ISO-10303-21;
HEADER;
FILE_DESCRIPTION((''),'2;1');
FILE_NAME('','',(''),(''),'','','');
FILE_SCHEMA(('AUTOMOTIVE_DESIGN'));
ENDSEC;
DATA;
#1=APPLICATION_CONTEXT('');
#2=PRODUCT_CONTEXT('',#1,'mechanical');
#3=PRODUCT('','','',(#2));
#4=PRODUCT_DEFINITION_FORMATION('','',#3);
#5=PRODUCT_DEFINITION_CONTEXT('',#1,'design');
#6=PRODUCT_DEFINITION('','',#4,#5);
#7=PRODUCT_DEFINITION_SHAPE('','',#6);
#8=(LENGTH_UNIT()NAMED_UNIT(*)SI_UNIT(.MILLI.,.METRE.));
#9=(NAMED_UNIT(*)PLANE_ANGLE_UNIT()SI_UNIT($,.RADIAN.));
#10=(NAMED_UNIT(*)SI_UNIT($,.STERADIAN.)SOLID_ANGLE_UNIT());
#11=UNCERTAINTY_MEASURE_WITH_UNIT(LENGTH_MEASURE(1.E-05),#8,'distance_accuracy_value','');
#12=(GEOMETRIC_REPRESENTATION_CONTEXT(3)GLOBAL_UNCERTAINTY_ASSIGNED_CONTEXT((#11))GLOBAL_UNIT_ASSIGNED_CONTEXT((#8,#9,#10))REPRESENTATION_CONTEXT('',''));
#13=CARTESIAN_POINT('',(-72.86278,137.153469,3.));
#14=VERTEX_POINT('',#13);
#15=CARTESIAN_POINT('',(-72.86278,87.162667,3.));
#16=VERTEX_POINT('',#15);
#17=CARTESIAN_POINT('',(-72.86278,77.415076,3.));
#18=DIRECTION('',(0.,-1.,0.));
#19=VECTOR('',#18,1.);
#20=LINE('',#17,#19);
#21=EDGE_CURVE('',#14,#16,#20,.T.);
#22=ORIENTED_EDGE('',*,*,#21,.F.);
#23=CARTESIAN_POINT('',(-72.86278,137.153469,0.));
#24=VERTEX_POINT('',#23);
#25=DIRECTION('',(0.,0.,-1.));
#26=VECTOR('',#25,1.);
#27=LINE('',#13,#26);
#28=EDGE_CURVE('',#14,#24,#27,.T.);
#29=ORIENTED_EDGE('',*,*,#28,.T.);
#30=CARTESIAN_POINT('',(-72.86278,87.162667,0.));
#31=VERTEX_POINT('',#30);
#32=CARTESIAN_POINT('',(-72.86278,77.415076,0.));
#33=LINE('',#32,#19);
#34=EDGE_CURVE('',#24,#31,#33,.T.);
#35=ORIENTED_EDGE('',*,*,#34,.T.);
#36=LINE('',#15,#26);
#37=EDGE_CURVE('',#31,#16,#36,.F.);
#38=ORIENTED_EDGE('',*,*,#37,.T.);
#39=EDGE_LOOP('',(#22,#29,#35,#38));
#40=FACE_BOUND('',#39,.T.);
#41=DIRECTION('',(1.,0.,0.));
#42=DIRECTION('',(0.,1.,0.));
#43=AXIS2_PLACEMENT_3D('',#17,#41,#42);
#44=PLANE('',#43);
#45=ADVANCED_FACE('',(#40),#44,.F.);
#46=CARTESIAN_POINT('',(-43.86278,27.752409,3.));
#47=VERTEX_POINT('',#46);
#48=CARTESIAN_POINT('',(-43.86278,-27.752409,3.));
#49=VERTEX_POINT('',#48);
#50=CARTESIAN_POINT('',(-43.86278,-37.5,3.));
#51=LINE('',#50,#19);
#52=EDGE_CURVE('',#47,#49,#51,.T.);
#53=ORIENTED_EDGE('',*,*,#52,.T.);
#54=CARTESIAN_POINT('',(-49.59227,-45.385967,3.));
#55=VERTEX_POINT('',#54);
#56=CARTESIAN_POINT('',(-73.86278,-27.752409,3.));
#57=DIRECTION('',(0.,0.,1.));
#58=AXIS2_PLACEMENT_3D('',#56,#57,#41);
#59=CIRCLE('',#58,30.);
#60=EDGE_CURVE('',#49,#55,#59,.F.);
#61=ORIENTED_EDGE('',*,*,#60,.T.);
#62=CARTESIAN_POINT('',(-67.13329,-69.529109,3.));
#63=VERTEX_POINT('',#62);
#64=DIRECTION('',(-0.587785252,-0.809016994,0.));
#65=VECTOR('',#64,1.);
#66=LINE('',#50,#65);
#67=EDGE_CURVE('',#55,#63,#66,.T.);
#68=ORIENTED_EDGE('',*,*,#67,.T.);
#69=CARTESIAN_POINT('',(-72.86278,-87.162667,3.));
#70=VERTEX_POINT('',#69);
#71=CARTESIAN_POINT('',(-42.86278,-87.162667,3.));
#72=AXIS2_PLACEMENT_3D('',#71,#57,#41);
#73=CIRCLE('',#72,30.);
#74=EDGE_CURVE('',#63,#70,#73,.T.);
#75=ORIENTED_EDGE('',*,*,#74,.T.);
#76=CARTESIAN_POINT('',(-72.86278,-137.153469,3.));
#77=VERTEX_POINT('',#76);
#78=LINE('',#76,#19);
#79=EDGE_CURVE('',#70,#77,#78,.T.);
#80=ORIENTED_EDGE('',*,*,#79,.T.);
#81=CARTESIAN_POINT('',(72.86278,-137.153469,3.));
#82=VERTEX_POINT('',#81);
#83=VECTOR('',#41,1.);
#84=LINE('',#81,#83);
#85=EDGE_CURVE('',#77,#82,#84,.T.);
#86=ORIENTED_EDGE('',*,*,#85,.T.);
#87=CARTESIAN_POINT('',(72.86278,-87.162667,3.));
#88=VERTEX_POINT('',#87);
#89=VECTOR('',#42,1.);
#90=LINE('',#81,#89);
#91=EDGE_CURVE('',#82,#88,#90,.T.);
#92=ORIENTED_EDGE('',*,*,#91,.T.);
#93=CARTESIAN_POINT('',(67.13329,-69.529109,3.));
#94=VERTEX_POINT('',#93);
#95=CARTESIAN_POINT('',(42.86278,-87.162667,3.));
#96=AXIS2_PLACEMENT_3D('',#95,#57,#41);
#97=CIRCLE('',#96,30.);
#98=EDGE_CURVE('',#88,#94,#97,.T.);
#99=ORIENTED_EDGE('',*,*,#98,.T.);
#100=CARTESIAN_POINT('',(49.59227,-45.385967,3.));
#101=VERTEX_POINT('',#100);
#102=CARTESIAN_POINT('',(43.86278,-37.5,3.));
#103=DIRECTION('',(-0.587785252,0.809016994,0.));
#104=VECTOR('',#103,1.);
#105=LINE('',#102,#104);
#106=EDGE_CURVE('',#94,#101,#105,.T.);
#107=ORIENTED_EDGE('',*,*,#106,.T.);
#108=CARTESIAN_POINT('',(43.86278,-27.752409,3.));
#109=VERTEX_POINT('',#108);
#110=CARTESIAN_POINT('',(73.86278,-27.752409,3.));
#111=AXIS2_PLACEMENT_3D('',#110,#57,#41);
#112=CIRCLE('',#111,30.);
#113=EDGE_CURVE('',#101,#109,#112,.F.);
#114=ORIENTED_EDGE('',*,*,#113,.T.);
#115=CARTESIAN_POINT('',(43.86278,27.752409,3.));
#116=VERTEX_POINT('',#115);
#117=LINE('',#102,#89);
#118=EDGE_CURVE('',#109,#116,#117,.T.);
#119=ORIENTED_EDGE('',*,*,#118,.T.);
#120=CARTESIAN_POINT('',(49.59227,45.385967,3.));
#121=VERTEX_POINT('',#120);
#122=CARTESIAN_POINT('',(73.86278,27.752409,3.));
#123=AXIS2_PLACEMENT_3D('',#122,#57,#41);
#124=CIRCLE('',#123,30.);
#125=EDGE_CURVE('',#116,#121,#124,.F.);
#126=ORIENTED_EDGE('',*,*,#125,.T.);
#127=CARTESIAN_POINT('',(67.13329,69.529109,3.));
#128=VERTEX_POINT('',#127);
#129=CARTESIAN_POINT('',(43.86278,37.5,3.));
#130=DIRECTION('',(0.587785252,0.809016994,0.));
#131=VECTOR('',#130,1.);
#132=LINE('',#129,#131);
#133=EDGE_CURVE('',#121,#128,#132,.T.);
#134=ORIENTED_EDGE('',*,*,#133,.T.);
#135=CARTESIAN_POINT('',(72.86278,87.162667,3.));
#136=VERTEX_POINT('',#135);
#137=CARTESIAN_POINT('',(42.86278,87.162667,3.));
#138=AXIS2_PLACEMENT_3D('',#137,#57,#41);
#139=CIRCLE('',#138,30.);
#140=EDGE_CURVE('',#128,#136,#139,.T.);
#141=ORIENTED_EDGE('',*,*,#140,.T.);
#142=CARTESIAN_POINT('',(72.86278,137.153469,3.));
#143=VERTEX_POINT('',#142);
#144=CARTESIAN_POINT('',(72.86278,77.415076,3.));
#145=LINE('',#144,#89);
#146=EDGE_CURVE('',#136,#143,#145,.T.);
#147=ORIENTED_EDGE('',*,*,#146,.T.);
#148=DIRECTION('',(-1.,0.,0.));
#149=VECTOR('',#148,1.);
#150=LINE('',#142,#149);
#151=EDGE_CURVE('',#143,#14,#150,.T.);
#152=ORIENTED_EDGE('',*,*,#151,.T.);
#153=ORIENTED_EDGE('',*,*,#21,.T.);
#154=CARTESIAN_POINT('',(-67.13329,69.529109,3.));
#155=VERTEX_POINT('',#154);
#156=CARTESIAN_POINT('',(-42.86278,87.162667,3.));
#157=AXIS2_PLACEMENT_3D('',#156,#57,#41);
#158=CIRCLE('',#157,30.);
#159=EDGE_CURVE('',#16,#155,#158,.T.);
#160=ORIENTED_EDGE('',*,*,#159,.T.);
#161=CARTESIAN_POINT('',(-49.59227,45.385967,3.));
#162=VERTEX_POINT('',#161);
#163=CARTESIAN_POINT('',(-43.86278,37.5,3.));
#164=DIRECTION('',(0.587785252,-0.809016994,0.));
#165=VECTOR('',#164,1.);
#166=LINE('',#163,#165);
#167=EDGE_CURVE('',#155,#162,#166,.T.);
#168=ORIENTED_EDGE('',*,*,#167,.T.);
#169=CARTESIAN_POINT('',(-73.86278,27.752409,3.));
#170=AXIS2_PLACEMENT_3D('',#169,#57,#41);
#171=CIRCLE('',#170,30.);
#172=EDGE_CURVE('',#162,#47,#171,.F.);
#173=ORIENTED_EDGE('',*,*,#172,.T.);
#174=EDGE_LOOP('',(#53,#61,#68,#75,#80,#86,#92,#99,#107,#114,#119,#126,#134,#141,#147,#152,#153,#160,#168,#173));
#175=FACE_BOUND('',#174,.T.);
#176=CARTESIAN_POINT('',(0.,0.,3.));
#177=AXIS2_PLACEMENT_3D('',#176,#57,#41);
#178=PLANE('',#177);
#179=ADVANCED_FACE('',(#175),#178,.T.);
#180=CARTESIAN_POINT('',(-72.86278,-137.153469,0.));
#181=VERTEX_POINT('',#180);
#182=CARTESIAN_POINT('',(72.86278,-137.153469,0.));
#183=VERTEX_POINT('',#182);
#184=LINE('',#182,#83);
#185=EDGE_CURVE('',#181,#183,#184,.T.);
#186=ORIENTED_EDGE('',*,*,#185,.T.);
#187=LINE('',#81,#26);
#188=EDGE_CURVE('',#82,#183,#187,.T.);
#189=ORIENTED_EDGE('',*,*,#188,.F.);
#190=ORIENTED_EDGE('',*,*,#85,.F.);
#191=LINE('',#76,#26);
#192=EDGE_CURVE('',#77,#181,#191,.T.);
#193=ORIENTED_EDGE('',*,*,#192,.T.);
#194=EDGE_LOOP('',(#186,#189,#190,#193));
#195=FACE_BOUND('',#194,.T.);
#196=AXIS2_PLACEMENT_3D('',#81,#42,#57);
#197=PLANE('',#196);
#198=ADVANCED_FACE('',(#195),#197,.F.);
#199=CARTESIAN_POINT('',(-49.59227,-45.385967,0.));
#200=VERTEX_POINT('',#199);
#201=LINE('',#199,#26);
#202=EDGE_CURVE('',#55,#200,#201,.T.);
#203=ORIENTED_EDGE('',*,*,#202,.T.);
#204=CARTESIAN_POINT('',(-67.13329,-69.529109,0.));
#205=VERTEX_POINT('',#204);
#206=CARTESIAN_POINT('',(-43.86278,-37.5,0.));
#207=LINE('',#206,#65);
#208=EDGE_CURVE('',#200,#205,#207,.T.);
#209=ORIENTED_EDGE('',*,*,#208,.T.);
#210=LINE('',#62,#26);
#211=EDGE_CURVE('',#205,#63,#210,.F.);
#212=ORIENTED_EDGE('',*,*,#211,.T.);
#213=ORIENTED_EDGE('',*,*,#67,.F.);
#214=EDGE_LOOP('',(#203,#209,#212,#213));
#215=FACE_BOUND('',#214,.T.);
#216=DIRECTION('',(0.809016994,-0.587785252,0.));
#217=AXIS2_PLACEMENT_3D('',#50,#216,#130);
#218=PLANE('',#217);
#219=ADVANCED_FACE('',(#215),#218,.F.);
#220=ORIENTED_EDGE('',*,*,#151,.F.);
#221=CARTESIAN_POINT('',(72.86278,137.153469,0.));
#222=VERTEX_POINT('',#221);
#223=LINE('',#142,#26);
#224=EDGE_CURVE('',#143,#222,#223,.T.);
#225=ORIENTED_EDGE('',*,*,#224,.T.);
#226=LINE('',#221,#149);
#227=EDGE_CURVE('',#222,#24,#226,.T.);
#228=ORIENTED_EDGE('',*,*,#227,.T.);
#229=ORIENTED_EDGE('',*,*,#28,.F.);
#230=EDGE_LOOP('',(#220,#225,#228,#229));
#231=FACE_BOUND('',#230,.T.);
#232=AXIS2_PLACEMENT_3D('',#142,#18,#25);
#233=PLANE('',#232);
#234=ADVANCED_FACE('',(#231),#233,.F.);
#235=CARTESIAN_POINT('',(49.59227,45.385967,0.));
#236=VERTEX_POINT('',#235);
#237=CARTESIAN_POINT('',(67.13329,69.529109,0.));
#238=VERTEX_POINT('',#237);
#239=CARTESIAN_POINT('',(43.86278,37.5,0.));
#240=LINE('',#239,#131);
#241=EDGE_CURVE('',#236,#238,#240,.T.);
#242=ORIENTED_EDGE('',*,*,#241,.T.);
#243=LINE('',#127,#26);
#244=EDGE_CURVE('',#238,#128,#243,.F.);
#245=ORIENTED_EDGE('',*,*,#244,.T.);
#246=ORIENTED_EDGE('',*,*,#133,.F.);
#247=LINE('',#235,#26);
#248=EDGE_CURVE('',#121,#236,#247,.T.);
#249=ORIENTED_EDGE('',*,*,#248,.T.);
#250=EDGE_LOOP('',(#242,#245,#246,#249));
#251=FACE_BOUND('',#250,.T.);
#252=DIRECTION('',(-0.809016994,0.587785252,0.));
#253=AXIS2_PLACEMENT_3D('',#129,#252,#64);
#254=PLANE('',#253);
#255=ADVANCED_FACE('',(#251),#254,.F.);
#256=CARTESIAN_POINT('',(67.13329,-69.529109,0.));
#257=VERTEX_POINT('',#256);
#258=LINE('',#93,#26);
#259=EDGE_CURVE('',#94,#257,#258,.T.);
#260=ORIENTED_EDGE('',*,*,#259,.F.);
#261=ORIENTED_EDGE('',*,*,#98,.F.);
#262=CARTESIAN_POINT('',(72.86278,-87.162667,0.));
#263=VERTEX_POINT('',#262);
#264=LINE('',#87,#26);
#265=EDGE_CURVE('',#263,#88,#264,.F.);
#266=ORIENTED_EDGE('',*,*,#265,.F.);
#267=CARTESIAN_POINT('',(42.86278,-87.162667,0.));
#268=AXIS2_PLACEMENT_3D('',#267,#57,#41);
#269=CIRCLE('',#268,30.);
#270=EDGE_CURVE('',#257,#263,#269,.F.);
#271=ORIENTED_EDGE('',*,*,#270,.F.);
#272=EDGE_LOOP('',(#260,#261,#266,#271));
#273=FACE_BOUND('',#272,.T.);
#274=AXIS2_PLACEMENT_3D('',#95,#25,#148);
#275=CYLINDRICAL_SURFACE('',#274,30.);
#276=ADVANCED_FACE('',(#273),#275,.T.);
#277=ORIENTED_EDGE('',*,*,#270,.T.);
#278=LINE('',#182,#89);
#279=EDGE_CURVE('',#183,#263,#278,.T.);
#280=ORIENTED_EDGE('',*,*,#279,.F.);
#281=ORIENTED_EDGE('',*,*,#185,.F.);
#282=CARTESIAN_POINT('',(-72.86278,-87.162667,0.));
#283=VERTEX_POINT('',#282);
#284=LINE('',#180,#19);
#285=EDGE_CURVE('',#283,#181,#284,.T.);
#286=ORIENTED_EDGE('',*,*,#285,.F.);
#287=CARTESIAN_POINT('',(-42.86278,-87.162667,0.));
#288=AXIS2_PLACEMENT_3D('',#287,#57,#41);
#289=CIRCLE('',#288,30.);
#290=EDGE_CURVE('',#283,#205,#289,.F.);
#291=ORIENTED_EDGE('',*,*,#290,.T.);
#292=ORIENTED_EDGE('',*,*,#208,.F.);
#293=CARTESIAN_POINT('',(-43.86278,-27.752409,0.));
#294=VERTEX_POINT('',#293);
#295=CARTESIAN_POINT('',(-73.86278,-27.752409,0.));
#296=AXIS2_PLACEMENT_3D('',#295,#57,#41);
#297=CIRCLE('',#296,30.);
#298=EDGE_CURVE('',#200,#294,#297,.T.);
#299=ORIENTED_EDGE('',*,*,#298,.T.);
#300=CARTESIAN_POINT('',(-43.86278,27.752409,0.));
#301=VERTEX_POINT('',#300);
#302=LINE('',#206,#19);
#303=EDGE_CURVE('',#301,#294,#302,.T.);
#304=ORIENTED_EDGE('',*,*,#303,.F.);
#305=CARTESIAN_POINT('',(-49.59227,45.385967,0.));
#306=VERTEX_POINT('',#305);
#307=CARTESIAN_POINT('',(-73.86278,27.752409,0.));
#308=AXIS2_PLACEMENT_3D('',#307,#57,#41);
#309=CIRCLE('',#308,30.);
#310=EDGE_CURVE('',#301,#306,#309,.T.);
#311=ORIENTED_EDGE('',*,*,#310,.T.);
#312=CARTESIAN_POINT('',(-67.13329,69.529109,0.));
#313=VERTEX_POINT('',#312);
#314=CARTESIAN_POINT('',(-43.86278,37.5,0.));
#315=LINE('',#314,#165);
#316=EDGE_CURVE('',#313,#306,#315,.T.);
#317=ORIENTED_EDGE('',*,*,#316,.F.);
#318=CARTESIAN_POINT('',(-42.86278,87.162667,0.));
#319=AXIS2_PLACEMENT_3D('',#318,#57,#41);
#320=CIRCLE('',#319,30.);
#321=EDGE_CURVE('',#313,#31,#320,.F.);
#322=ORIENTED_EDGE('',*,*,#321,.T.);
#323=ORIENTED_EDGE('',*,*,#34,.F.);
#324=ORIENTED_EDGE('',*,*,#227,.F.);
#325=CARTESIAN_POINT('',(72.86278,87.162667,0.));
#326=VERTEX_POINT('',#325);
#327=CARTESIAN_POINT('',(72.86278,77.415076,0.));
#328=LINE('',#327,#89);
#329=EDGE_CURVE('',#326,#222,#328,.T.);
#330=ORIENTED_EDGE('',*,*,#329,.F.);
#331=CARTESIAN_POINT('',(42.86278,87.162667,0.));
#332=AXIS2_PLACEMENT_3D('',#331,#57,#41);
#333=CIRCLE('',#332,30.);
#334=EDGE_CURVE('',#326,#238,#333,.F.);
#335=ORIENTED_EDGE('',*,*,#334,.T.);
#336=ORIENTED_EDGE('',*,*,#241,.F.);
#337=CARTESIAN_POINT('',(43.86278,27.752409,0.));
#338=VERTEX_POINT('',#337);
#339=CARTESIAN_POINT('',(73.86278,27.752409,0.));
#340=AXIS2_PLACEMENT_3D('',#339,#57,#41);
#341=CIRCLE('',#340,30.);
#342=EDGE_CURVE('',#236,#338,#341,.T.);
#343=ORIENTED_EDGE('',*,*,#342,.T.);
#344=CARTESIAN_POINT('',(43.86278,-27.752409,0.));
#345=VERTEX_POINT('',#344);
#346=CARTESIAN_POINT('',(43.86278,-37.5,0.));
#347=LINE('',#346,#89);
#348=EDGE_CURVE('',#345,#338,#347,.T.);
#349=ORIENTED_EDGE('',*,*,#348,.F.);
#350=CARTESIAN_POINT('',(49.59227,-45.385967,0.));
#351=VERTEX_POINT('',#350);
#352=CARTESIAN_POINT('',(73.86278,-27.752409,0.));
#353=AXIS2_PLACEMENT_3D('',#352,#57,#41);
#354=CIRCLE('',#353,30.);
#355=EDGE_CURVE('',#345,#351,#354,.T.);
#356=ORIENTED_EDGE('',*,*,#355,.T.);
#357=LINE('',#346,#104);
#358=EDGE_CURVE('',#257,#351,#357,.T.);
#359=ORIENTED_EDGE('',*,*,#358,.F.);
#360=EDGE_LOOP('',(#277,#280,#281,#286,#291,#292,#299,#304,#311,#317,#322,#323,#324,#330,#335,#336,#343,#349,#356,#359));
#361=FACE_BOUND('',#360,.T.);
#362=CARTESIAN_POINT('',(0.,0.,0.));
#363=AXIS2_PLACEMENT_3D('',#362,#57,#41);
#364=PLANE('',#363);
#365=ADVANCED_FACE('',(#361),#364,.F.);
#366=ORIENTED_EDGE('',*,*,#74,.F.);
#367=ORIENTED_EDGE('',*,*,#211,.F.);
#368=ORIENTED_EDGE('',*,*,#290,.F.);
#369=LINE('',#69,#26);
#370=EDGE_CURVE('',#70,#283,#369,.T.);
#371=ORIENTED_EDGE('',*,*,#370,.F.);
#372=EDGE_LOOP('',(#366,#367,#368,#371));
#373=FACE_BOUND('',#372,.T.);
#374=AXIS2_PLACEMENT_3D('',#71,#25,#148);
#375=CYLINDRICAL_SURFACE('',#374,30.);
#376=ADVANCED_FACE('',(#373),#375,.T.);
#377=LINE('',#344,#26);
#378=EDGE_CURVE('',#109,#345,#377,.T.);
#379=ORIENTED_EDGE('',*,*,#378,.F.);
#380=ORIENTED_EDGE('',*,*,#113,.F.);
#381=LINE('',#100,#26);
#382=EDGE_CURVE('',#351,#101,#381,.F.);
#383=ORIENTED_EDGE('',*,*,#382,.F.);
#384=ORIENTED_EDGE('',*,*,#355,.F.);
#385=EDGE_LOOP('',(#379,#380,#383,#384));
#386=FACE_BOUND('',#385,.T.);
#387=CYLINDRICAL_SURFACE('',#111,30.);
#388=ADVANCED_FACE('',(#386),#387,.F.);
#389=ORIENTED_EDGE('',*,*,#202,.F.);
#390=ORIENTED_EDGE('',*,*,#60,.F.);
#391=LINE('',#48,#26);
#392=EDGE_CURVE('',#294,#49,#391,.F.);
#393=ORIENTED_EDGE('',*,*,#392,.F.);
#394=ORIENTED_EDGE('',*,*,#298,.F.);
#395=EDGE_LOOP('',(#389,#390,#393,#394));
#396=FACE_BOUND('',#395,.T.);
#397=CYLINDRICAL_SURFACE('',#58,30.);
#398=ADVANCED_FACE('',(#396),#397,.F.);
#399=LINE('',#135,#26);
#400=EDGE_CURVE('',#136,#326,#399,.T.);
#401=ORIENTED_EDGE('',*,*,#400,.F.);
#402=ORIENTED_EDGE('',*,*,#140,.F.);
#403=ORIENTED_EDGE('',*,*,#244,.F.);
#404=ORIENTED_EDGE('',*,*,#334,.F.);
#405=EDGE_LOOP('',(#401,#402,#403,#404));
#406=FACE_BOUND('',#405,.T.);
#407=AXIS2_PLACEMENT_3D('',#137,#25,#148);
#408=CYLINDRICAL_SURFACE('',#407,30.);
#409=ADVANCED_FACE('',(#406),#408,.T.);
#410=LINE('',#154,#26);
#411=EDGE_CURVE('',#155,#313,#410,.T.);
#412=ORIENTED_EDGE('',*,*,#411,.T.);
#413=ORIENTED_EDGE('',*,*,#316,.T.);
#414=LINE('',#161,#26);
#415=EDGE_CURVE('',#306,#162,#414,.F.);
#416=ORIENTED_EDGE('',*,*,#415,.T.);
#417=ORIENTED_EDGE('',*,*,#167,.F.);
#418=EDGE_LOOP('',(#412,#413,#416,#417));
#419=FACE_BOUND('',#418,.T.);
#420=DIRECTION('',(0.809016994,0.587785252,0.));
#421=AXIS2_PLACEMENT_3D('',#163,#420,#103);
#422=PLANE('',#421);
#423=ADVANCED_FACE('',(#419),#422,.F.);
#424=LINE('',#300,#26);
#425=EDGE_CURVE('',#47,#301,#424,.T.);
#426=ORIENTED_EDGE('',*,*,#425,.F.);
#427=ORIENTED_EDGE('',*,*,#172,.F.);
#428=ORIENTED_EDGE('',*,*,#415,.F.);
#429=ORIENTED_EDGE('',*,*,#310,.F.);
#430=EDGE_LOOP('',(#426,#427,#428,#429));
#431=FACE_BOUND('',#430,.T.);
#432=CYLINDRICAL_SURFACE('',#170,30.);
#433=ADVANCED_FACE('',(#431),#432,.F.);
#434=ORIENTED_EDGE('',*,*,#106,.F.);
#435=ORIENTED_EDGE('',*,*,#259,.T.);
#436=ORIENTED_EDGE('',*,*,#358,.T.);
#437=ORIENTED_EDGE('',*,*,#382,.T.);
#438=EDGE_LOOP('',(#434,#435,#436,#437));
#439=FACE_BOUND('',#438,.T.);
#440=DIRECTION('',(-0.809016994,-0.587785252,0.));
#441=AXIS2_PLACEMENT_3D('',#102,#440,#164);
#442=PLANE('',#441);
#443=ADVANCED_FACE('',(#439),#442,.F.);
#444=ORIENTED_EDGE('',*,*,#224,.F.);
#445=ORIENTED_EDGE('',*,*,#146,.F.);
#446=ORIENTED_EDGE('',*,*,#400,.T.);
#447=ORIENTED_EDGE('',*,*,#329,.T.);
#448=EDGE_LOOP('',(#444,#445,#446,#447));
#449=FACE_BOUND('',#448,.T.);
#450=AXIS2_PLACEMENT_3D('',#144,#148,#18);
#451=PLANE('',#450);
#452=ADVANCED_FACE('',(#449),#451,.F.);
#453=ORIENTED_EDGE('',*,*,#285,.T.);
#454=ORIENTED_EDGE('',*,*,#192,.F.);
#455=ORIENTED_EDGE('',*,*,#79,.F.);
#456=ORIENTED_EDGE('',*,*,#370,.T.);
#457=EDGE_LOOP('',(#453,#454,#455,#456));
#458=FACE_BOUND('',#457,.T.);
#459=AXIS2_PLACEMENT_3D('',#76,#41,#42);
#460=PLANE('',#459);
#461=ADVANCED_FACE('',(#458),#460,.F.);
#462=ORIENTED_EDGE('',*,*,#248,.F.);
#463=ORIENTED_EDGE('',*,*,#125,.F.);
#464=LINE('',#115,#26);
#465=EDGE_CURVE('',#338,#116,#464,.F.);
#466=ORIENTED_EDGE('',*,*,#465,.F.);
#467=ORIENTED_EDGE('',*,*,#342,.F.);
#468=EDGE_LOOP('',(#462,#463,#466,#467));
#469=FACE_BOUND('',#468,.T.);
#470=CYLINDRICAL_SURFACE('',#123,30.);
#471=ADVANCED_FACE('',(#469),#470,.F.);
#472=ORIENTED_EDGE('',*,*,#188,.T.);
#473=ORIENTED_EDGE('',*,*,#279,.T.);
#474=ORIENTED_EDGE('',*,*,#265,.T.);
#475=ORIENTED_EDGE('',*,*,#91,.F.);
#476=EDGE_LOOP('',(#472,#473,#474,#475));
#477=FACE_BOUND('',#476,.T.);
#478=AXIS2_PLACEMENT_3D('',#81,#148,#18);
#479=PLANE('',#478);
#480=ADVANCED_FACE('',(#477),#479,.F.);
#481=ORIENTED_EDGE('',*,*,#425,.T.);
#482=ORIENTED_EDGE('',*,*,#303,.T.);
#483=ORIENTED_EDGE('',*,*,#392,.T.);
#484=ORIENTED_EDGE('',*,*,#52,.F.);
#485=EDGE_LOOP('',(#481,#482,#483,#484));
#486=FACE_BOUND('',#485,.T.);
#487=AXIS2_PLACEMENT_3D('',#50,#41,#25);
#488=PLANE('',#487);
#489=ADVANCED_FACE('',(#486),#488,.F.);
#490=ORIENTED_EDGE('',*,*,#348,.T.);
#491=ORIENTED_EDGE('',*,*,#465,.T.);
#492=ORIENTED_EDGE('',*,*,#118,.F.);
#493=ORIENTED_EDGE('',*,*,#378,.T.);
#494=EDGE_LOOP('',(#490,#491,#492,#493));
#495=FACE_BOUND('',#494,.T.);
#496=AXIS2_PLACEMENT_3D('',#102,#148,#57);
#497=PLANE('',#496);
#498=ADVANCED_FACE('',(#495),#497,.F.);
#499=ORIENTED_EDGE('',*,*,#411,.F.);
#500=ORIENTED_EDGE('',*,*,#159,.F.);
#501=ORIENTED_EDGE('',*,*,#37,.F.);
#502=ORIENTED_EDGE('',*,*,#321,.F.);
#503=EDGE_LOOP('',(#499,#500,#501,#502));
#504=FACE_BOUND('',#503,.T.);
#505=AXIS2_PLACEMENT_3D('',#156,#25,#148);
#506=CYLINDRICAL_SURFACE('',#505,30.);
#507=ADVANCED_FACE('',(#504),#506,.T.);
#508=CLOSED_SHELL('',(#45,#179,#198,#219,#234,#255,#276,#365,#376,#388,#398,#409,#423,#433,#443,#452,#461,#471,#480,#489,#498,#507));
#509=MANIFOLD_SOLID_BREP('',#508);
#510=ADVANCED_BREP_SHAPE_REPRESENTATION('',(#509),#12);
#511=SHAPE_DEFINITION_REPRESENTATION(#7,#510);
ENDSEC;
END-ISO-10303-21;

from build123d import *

# Parameters (mm, degrees)
SALIENTE_EXTRUIR1_DEPTH = 3
REDONDEO1_R             = 30


with BuildPart() as part:
    # Croquis1 → Saliente-Extruir1 (new body)
    with BuildSketch(Plane.XY):
        Polygon((72.862780289, -137.153468779), (-72.862780289, -137.153468779), (-72.862780289, -77.415075694), (-43.862780289, -37.5), (-43.862780289, 37.5), (-72.862780289, 77.415075694), (-72.862780289, 137.153468779), (72.862780289, 137.153468779), (72.862780289, 77.415075694), (43.862780289, 37.5), (43.862780289, -37.5), (72.862780289, -77.415075694), align=None)
    extrude(amount=SALIENTE_EXTRUIR1_DEPTH)

    # Redondeo1
    redondeo1_edges = [part.edges().sort_by_distance(p)[0] for p in [
        (72.862780289, 77.415075694, 1.5),
        (43.862780289, 37.5, 1.5),
        (43.862780289, -37.5, 1.5),
        (72.862780289, -77.415075694, 1.5),
        (-72.862780289, -77.415075694, 1.5),
        (-43.862780289, -37.5, 1.5),
        (-43.862780289, 37.5, 1.5),
        (-72.862780289, 77.415075694, 1.5),
    ]]
    fillet(redondeo1_edges, radius=REDONDEO1_R)


solid = part.part
